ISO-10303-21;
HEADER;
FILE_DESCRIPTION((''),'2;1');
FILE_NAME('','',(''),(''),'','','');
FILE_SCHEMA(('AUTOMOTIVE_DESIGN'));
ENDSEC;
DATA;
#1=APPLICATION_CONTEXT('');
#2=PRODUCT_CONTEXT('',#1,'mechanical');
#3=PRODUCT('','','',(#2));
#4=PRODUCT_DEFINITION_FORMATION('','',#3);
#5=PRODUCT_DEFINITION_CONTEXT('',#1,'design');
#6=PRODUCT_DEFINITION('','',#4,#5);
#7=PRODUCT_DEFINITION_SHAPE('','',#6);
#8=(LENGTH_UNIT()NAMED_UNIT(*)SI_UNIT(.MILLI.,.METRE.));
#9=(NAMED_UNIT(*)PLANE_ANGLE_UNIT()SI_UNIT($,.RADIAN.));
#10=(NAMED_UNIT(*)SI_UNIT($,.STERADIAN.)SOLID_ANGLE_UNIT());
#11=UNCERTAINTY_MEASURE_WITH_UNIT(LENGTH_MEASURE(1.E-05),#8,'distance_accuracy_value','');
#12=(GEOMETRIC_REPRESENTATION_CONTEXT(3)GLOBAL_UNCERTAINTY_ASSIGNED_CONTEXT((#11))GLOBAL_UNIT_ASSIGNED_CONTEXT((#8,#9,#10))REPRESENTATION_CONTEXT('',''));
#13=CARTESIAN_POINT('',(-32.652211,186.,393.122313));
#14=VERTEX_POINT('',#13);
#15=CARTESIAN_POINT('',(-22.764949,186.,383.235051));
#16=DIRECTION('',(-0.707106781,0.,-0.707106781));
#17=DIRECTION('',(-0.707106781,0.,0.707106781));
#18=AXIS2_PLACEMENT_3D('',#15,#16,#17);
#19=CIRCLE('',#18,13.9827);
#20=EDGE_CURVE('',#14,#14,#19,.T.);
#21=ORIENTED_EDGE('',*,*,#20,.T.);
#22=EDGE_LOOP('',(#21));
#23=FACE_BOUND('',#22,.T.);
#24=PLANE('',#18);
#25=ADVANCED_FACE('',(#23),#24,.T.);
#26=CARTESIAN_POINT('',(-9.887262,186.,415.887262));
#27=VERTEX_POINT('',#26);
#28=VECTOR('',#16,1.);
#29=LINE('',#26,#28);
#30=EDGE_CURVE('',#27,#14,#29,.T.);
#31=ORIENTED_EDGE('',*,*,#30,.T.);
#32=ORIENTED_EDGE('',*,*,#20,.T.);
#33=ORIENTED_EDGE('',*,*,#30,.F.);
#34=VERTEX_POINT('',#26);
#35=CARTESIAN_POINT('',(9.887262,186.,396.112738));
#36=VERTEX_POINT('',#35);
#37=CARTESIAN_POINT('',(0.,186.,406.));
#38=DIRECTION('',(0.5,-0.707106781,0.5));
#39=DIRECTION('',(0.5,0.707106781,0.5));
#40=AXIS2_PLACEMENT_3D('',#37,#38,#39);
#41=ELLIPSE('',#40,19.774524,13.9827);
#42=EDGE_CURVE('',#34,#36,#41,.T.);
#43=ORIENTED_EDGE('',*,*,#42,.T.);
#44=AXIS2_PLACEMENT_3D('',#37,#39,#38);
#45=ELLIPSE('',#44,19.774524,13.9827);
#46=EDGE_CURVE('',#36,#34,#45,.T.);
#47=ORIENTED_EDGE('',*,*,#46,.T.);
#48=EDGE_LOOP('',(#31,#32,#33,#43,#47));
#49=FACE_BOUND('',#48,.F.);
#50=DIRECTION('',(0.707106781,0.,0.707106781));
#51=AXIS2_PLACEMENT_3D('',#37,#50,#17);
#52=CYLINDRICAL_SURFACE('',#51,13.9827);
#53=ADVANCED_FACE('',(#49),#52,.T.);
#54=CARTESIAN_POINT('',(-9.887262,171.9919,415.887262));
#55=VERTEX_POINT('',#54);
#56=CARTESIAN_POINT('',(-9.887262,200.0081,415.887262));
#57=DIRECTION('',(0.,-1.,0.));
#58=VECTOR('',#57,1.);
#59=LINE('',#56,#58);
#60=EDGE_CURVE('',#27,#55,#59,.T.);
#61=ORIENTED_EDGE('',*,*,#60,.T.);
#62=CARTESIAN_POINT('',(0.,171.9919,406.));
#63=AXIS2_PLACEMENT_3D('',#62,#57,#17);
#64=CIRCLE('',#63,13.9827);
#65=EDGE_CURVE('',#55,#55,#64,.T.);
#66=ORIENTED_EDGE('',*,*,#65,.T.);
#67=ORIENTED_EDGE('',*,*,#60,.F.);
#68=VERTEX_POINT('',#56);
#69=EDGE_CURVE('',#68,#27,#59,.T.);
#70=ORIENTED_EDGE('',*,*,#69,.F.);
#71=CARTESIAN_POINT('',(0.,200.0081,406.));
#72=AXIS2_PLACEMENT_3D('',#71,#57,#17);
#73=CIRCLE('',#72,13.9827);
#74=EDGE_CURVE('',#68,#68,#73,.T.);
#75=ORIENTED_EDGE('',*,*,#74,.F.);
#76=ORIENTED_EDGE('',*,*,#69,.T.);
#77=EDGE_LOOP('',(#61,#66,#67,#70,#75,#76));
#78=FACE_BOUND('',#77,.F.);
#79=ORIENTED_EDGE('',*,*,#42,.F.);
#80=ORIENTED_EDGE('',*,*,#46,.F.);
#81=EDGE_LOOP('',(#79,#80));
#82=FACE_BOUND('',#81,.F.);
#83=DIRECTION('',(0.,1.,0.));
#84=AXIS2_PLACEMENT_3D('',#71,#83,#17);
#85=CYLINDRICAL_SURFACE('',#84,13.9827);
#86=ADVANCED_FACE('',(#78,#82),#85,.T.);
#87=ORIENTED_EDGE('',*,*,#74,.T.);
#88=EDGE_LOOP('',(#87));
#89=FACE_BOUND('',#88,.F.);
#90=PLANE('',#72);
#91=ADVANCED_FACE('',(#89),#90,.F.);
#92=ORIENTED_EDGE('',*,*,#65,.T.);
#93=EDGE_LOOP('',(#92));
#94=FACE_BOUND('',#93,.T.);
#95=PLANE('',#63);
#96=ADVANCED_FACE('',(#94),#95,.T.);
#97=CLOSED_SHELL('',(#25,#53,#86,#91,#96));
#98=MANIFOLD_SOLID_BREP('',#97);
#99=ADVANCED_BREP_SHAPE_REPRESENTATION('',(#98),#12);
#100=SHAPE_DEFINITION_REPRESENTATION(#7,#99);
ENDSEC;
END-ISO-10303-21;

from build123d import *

# Parameters (mm, degrees)
CYLINDER046_R             = 13.9827
CYLINDER046_DEPTH         = 28.0162
CYLINDER045_R             = 13.9827
CYLINDER045_DEPTH         = 32.1945
FUSION018_PLACEMENT_ANGLE = 225


with BuildPart() as cylinder046:
    # Cylinder046 → Cylinder046 (new body)
    with BuildSketch(Plane.XZ.offset(-14.0081)):
        Circle(CYLINDER046_R)
    extrude(amount=CYLINDER046_DEPTH)


with BuildPart() as middle_inner_slip_r:
    # Cylinder045 → Cylinder045 (new body)
    with BuildSketch(Plane.XY):
        Circle(CYLINDER045_R)
    extrude(amount=CYLINDER045_DEPTH)

    # Fusion018: union Cylinder046
    add(cylinder046.part)


with BuildPart() as middle_inner_slip_r_1:
    # Fusion018 placement: moved
    add(middle_inner_slip_r.part.moved(Location((0, 186, 406))).rotate(Axis((0, 186, 406), (0, 1, 0)), FUSION018_PLACEMENT_ANGLE))


solid = middle_inner_slip_r_1.part
